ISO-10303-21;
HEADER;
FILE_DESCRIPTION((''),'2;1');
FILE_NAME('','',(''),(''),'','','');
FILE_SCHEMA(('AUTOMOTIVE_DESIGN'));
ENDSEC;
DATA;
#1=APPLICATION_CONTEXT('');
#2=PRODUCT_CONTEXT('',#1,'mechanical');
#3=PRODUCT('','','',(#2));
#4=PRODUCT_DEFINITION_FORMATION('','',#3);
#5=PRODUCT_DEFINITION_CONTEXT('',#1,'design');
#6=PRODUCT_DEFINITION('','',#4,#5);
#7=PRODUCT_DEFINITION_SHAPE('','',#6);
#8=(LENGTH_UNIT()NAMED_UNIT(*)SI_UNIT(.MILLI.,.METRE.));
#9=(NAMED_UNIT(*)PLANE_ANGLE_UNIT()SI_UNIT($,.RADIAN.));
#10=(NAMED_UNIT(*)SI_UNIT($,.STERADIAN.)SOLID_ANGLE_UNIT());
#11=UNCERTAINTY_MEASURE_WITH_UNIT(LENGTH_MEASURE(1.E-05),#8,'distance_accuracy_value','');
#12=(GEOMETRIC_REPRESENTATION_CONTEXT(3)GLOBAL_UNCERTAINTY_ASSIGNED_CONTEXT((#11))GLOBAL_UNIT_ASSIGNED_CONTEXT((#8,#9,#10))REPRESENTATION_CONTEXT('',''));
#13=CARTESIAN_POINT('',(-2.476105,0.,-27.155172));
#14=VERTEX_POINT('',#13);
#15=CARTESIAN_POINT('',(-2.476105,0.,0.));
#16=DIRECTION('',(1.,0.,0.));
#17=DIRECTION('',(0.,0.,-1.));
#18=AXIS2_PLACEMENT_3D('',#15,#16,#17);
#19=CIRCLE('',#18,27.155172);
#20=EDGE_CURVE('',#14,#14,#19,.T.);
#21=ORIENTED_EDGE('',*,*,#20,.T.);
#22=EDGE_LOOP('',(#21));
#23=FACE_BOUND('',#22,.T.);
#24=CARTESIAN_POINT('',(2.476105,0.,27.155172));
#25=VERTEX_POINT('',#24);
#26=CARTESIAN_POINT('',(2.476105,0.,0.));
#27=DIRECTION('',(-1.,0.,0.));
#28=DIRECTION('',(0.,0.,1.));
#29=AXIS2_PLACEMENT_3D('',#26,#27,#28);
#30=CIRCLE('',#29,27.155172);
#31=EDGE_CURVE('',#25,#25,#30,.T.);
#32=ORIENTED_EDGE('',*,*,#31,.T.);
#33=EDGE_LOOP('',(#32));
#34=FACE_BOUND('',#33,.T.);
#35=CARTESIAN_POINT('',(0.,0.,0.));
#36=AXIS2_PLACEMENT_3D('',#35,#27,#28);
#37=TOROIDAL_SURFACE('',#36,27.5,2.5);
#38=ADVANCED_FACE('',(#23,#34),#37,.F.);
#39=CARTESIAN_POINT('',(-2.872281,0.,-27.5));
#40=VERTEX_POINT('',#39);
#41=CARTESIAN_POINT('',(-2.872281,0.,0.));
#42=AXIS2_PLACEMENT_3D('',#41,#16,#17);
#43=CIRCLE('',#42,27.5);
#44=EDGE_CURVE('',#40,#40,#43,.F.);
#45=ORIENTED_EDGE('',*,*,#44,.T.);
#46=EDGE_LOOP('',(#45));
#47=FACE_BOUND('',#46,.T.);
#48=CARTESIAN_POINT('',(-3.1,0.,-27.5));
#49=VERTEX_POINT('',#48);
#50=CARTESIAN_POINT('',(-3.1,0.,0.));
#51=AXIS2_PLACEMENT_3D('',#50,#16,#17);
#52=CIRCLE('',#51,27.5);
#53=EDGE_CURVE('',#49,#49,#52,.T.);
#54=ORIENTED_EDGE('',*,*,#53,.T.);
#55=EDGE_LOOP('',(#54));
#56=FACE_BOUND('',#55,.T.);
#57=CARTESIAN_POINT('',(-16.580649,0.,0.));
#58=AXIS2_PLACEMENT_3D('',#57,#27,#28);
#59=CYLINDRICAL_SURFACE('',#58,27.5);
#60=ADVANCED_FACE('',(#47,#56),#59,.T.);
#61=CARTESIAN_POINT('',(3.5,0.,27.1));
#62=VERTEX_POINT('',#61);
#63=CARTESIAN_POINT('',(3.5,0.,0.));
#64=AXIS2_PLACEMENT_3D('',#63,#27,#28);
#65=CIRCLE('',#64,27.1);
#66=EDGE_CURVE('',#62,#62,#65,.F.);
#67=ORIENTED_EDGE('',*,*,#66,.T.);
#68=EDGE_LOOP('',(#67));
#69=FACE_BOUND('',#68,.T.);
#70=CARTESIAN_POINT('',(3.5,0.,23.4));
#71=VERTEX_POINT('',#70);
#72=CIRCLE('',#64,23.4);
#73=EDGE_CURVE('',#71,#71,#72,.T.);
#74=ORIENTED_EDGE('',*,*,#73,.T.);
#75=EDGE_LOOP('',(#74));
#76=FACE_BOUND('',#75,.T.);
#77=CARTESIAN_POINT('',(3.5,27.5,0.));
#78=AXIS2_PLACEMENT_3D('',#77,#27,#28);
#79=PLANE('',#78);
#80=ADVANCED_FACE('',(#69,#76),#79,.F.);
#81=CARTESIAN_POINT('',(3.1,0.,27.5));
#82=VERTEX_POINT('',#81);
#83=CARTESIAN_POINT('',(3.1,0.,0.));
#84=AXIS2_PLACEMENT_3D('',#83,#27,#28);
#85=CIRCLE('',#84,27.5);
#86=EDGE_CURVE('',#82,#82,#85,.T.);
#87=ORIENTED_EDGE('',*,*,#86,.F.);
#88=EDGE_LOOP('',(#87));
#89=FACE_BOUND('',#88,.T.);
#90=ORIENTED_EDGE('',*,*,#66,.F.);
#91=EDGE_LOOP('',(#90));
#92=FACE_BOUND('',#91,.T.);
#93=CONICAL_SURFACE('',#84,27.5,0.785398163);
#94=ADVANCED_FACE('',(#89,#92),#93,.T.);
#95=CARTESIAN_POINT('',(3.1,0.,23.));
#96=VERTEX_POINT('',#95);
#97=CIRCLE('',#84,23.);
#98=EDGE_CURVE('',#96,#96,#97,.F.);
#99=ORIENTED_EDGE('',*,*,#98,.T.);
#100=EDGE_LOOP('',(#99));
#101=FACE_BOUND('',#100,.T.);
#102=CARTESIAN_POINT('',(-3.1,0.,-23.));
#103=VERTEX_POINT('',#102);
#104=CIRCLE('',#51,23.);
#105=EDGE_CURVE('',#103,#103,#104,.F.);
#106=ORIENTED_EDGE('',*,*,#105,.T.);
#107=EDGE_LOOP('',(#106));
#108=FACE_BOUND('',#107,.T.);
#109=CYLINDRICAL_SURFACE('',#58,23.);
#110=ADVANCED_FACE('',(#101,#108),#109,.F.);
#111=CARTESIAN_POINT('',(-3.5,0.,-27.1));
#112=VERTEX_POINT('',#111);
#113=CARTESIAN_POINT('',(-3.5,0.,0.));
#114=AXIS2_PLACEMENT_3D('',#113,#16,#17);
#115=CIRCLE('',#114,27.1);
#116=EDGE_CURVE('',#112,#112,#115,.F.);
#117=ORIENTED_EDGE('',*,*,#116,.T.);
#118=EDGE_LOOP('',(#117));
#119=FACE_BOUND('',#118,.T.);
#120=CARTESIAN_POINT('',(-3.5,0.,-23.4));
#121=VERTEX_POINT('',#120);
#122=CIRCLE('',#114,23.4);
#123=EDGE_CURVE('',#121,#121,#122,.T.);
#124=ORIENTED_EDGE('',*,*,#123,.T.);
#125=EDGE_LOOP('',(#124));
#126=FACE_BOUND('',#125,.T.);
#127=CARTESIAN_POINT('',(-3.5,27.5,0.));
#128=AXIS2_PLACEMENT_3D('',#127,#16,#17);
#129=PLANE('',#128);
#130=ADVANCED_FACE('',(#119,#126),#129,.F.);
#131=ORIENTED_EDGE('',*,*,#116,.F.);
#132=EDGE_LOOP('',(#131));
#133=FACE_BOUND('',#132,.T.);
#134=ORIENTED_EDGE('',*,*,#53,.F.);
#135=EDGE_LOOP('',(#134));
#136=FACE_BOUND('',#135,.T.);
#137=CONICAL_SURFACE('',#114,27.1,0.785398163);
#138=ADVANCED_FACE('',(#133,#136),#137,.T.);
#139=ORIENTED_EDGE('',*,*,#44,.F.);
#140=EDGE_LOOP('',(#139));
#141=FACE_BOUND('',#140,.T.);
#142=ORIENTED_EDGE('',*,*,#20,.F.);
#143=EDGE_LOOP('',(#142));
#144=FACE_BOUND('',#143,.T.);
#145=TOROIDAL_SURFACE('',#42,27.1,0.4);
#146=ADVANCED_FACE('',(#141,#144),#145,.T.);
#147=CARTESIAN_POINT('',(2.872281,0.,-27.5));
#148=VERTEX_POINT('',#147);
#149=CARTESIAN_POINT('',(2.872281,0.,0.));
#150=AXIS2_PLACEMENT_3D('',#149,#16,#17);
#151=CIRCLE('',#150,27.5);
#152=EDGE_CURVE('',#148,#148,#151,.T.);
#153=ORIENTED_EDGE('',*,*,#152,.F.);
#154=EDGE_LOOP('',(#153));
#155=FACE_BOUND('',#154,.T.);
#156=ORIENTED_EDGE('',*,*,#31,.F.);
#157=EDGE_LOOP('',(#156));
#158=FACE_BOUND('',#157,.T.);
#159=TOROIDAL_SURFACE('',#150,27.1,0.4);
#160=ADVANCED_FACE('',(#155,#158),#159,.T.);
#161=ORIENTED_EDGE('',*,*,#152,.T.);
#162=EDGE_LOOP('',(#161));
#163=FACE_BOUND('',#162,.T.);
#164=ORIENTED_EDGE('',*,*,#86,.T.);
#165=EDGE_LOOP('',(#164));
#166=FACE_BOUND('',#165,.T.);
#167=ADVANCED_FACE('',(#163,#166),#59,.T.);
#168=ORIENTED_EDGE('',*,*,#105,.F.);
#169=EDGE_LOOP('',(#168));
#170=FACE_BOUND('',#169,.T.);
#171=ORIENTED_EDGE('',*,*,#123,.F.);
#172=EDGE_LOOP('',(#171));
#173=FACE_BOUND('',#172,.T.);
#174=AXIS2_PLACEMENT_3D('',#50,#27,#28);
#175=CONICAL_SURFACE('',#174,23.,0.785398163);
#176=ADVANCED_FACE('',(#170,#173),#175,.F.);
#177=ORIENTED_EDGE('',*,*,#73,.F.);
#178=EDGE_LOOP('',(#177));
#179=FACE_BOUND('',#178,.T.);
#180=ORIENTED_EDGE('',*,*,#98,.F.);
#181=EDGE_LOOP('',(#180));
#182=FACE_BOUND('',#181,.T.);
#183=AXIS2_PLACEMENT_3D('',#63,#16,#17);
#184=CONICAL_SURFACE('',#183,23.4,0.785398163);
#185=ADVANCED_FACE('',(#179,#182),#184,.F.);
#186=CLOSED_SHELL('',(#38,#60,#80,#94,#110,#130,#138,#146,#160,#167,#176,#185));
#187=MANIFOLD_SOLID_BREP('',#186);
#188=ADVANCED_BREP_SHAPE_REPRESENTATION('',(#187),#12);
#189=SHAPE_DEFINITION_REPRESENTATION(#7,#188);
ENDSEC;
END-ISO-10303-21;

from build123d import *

# Parameters (mm, degrees)
FILLET_1_R     = 0.4
CHAMFER_1_SIZE = 0.4


with BuildPart() as part:
    # 草图1 → 旋转1 (revolve)
    with BuildSketch(Plane.XY, mode=Mode.PRIVATE) as revolve_1_sk:
        with BuildLine():
            Line((3.5, 23), (0, 23))
            Line((0, 23), (-3.5, 23))
            Line((-3.5, 23), (-3.5, 27.5))
            Line((-3.5, 27.5), (-2.5, 27.5))
            ThreePointArc((-2.5, 27.5), (0, 25), (2.5, 27.5))
            Line((2.5, 27.5), (3.5, 27.5))
            Line((3.5, 27.5), (3.5, 23))
        make_face()
    revolve(revolve_1_sk.sketch.rotate(Axis((-16.580648815, 0, 0), (1, 0, 0)), 90), axis=Axis((-16.580648815, 0, 0), (1, 0, 0)))

    # 圆角1
    fillet_1_edges = [part.edges().sort_by_distance(p)[0] for p in [
        (2.5, 0, -27.5),
        (-2.5, 0, -27.5),
    ]]
    fillet(fillet_1_edges, radius=FILLET_1_R)

    # 倒角1
    chamfer_1_edges = [part.edges().sort_by_distance(p)[0] for p in [
        (3.5, 0, -27.5),
        (3.5, 0, -23),
        (-3.5, 0, -23),
        (-3.5, 0, -27.5),
    ]]
    chamfer(chamfer_1_edges, length=CHAMFER_1_SIZE)


solid = part.part
